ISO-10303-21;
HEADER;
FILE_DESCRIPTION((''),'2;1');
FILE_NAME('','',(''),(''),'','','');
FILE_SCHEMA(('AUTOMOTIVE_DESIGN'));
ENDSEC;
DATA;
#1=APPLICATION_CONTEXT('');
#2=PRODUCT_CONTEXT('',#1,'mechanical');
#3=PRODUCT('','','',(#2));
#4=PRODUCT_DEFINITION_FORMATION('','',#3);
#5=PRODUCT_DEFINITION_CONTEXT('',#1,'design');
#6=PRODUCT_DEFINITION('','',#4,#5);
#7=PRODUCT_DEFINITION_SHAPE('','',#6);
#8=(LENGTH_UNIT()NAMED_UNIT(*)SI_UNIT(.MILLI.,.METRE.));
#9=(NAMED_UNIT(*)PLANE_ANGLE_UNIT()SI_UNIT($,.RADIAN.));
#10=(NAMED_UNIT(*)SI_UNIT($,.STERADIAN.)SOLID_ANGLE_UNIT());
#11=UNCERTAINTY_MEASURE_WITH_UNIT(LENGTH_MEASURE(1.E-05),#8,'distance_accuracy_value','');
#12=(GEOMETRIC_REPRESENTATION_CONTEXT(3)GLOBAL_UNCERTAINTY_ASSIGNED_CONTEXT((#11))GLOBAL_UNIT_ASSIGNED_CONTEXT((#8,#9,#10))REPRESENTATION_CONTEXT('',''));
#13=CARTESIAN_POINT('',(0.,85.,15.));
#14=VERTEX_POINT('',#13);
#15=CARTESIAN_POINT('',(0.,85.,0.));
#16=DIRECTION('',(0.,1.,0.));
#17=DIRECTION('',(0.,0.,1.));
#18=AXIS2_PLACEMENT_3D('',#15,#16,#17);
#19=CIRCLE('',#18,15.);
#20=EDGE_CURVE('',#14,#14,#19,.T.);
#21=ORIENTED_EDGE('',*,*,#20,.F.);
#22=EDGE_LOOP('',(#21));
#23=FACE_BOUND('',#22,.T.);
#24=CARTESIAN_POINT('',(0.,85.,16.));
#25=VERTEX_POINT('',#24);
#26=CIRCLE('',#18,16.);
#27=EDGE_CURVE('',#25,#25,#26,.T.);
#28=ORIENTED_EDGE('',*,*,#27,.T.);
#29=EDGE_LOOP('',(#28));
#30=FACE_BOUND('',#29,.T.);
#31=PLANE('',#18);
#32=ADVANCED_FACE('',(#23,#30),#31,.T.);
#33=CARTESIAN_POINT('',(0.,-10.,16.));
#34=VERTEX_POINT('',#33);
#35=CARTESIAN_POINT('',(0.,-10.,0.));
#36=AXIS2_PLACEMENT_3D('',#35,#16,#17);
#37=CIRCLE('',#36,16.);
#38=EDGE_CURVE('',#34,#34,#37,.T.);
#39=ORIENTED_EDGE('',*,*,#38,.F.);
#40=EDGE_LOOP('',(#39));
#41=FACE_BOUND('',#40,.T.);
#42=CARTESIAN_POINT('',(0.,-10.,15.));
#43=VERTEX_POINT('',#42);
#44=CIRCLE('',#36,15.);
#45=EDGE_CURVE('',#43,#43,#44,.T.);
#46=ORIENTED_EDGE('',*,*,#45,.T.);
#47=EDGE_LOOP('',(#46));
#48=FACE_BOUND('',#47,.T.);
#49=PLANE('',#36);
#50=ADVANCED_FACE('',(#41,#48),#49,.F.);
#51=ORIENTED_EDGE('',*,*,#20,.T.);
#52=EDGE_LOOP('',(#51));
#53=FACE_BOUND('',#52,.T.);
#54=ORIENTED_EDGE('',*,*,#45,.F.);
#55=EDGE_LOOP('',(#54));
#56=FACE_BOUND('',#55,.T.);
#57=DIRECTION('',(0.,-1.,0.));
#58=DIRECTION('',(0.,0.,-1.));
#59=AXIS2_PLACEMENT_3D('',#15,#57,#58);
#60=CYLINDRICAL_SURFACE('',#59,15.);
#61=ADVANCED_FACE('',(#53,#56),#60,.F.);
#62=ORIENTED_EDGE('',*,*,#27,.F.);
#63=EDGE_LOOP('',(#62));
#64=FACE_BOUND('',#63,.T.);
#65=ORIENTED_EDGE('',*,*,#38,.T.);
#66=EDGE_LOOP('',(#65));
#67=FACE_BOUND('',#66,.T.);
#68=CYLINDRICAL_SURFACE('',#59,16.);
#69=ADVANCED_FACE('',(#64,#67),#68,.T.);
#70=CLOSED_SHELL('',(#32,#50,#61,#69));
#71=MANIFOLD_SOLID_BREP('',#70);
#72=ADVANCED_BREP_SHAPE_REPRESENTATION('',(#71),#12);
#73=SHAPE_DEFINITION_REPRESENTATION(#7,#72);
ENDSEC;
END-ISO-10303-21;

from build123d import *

# Parameters (mm, degrees)
SKETCH1_R           = 16
SKETCH1_R_2         = 15
BOSS_EXTRUDE1_DEPTH = 85
BOSS_EXTRUDE2_START = -10
SKETCH4_R           = 16
SKETCH4_R_2         = 15
BOSS_EXTRUDE2_DEPTH = 10


with BuildPart() as part:
    # Sketch1 → Boss-Extrude1 (new body)
    with BuildSketch(Plane(origin=(0, 0, 0), x_dir=(1, 0, 0), z_dir=(0, 1, 0))):
        with Locations(Location((0, 0, 0), (0, 0, 270))):
            Circle(SKETCH1_R)
        with Locations(Location((0, 0, 0), (0, 0, 270))):
            Circle(SKETCH1_R_2, mode=Mode.SUBTRACT)
    extrude(amount=BOSS_EXTRUDE1_DEPTH)

    # Sketch4 → Boss-Extrude2 (add)
    with BuildSketch(Plane(origin=(0, 0, 0), x_dir=(1, 0, 0), z_dir=(0, 1, 0)).offset(BOSS_EXTRUDE2_START)):
        with Locations(Location((0, 0, 0), (0, 0, 270))):
            Circle(SKETCH4_R)
        with Locations(Location((0, 0, 0), (0, 0, 270))):
            Circle(SKETCH4_R_2, mode=Mode.SUBTRACT)
    extrude(amount=BOSS_EXTRUDE2_DEPTH)


solid = part.part
